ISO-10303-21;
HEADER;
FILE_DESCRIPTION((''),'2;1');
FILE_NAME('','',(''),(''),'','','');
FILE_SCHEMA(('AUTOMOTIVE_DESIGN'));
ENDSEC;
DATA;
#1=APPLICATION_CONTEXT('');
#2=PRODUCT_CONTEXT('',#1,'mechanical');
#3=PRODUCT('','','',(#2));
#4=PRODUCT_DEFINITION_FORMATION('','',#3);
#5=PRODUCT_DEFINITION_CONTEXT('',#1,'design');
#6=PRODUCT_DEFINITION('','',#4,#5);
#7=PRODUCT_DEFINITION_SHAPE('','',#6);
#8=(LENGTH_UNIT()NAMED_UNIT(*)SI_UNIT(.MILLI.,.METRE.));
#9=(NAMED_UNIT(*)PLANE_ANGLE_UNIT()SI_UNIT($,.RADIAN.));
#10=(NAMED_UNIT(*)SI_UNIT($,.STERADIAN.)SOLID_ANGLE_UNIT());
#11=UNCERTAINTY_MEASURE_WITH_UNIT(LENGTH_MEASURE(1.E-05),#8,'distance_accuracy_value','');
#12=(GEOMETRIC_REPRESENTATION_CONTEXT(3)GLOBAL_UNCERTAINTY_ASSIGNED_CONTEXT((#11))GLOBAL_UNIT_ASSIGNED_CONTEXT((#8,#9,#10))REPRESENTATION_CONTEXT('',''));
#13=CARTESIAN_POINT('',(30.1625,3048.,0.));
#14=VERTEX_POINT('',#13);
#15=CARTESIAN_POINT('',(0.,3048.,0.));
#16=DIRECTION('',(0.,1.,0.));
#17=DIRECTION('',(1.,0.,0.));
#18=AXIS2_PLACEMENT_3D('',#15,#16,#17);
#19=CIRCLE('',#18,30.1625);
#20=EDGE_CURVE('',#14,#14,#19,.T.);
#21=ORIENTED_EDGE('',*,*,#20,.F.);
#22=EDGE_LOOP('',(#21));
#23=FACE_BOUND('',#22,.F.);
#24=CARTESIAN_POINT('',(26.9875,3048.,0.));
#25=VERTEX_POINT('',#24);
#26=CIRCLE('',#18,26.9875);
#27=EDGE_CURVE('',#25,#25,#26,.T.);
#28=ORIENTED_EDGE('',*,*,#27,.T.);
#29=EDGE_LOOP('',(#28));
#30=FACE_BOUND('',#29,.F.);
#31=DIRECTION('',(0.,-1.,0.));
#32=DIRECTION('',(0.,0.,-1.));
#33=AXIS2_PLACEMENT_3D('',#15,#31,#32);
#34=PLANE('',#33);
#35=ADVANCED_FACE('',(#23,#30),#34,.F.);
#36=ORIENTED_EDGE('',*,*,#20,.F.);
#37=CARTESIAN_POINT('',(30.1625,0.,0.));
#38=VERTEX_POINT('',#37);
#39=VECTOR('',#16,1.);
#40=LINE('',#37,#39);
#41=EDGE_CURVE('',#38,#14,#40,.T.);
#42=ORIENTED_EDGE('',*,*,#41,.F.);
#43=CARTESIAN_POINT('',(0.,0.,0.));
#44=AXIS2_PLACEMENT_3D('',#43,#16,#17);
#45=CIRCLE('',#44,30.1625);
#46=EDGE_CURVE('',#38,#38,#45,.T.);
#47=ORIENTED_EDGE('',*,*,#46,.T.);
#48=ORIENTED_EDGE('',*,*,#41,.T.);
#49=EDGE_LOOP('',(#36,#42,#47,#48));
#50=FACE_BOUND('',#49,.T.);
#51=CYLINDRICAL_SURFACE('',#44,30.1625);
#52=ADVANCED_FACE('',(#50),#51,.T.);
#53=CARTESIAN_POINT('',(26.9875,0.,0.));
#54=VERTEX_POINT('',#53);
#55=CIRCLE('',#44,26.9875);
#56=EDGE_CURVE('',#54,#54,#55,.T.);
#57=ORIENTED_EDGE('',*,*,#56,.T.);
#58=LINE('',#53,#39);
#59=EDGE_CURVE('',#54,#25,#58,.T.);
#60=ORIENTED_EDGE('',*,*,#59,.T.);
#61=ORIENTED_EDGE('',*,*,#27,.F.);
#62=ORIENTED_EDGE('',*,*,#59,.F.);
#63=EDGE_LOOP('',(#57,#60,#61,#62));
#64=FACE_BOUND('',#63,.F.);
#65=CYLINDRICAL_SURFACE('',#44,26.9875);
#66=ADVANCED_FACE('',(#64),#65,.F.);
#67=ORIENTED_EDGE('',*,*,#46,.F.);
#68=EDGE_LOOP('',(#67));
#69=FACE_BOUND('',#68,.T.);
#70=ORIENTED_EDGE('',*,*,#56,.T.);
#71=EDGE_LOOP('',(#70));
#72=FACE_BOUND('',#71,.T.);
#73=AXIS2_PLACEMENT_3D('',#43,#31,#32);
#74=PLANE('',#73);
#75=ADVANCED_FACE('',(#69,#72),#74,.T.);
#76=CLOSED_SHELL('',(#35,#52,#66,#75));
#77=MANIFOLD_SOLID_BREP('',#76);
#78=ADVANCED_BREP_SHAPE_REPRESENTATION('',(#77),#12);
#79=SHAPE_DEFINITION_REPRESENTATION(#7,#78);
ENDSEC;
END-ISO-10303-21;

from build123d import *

# Parameters (mm, degrees)
F1_R   = 30.1625
F1_R_2 = 26.9875


with BuildPart() as f2:
    # F2: sweep along a path in F0
    with BuildLine(Plane.XY) as f2_path:
        Line((0, 0), (0, 3048))
    # F1 (on Front) → F2 (sweep)
    with BuildSketch(Plane.XZ):
        Circle(F1_R)
        Circle(F1_R_2, mode=Mode.SUBTRACT)
    sweep(path=f2_path.line)


solid = f2.part
